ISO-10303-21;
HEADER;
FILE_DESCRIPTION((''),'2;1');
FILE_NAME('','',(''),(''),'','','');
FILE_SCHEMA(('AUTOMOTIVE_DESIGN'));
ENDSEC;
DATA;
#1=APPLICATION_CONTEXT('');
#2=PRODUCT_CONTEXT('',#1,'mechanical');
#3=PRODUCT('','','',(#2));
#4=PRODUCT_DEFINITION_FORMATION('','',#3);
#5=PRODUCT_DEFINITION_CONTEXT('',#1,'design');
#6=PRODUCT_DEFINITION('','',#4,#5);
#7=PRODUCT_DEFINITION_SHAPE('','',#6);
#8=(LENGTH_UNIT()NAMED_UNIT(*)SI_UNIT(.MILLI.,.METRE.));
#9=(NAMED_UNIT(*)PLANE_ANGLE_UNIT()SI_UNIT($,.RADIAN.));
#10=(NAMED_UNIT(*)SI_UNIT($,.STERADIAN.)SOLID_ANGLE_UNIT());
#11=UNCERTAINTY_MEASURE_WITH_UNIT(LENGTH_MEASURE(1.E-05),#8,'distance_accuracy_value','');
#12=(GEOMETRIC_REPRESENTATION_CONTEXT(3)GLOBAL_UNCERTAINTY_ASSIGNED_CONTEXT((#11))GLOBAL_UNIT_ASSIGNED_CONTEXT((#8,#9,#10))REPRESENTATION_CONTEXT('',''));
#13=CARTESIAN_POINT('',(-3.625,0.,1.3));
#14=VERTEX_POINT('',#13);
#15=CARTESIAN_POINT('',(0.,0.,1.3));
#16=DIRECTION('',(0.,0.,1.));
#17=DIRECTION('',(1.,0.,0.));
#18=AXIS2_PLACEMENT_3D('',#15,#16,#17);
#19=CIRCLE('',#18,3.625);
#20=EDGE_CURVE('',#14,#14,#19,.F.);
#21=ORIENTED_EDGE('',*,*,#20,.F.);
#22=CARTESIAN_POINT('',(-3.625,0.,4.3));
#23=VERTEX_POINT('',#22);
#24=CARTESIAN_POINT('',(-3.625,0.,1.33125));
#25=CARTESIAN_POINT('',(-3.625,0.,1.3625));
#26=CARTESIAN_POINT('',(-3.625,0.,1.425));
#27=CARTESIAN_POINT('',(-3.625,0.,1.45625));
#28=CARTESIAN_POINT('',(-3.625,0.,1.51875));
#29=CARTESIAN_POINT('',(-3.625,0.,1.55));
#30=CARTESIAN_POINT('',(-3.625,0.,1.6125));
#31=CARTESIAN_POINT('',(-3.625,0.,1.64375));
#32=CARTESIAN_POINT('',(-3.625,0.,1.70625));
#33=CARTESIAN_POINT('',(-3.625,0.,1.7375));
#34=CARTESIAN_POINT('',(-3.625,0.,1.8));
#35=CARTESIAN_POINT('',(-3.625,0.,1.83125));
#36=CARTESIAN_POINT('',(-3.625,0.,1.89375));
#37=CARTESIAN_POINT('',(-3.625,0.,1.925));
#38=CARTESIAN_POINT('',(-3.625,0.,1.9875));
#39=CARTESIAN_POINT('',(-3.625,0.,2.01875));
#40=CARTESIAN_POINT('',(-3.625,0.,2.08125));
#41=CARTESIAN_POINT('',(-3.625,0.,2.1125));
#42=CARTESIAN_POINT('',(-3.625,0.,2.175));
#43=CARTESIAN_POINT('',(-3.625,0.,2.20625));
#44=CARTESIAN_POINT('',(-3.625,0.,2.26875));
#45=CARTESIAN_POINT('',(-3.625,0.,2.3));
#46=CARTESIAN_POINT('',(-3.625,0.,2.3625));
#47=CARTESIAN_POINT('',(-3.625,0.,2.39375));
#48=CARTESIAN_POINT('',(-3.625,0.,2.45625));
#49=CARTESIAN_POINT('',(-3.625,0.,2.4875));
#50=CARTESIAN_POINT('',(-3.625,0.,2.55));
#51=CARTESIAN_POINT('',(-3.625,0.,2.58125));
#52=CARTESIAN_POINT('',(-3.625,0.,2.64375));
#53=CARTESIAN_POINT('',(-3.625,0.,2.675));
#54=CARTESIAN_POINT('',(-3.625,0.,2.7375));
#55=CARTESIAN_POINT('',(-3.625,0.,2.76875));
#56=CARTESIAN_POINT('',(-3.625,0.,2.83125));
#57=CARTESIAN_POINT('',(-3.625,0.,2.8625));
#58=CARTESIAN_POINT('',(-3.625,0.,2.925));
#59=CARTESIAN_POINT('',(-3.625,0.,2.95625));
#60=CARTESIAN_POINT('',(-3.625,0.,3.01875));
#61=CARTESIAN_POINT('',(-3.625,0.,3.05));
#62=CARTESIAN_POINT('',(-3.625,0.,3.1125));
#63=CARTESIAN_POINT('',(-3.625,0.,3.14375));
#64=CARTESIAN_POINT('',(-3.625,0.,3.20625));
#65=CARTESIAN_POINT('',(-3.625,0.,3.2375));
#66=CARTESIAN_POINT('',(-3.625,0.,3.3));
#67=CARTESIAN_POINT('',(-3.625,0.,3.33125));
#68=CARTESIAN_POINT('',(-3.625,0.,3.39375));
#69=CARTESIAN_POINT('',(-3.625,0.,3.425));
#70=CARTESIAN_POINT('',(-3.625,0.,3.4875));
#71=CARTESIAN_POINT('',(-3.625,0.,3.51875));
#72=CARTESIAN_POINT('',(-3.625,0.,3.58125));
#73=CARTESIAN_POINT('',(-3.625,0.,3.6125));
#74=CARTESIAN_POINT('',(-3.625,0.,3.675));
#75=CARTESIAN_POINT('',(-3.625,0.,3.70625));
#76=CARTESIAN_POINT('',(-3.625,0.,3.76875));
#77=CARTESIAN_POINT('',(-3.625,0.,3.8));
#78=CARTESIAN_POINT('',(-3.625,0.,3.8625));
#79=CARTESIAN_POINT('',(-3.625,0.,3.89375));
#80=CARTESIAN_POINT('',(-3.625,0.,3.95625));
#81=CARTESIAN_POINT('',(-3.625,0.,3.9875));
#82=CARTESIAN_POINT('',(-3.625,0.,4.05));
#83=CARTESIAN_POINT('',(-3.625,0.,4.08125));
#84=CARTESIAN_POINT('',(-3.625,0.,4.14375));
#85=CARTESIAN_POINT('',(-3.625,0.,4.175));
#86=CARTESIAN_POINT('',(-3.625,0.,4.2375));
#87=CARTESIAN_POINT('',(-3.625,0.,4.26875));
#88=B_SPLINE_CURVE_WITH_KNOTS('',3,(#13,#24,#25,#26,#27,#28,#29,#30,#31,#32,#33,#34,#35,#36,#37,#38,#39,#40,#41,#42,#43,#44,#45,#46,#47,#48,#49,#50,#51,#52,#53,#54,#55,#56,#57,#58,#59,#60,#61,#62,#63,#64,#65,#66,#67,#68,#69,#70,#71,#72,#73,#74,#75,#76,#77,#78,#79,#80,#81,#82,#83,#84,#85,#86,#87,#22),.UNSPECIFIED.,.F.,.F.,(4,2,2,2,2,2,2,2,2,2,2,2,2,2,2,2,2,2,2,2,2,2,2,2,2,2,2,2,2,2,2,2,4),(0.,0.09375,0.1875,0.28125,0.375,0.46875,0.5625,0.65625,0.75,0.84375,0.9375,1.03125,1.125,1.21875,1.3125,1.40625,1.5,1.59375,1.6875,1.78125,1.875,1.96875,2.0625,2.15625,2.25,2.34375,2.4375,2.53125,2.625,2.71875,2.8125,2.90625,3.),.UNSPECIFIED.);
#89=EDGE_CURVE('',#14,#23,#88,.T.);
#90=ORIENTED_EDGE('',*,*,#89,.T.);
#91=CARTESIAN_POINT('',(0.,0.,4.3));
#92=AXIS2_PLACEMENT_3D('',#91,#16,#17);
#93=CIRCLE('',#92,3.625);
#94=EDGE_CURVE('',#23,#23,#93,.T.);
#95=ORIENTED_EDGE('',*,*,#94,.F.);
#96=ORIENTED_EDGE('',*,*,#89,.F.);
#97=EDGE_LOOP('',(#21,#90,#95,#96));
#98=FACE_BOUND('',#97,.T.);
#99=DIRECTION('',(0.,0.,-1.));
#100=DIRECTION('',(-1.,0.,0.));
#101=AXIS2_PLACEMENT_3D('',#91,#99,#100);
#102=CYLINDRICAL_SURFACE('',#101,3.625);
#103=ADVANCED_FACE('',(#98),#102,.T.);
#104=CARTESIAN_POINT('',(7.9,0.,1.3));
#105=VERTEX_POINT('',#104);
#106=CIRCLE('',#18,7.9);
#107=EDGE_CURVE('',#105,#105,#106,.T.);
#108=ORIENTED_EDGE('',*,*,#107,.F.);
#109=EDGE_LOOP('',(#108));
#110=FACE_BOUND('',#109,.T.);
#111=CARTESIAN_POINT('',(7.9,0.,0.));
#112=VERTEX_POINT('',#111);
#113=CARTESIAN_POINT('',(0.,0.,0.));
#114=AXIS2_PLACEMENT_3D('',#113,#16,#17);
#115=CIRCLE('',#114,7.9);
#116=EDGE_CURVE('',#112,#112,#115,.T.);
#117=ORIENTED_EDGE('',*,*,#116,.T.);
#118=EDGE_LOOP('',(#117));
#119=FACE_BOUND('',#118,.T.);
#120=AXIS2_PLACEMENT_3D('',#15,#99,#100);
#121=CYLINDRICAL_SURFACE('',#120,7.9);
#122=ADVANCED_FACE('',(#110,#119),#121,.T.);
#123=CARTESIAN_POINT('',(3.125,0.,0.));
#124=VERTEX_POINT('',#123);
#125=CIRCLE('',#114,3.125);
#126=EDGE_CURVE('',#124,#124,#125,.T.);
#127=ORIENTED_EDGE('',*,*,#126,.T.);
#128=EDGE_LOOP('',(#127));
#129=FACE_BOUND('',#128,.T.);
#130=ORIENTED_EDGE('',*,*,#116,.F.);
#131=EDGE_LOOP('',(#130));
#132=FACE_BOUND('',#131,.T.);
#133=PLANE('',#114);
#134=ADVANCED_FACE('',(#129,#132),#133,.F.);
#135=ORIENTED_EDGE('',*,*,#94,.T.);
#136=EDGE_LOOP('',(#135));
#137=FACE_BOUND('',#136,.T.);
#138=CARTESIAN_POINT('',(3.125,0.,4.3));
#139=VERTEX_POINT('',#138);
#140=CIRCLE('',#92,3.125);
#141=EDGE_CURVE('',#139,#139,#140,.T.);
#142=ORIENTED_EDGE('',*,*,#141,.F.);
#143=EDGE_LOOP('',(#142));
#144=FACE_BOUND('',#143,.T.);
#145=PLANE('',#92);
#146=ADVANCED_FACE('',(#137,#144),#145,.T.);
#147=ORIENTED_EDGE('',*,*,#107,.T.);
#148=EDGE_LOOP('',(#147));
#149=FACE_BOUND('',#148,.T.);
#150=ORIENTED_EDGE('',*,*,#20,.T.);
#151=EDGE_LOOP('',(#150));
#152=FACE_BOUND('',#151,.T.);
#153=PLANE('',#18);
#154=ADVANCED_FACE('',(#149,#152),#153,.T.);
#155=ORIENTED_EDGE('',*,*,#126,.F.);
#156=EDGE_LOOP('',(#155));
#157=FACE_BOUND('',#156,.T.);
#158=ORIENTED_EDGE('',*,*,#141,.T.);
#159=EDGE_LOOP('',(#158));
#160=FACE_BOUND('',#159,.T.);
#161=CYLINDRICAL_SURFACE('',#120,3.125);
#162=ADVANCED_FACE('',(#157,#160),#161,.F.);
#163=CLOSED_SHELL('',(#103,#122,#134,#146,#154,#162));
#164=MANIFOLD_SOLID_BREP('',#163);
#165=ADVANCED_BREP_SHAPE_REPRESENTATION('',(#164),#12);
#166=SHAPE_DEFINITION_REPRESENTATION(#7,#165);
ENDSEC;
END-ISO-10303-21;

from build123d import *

# Parameters (mm, degrees)
SKETCH_1_R      = 7.9
SKETCH_1_R_2    = 3.125
EXTRUDE_1_DEPTH = 1.3
SKETCH_1_3_R    = 3.625
SKETCH_1_3_R_2  = 3.125
EXTRUDE_2_DEPTH = 4.3


with BuildPart() as part:
    # ｽｹｯﾁ1 → ﾎﾞｽ - 押し出し1 (new body)
    with BuildSketch(Plane.XY):
        Circle(SKETCH_1_R)
        Circle(SKETCH_1_R_2, mode=Mode.SUBTRACT)
    extrude(amount=EXTRUDE_1_DEPTH)

    # ｽｹｯﾁ1<3> → ﾎﾞｽ - 押し出し2 (add)
    with BuildSketch(Plane.XY):
        Circle(SKETCH_1_3_R)
        Circle(SKETCH_1_3_R_2, mode=Mode.SUBTRACT)
    extrude(amount=EXTRUDE_2_DEPTH)


solid = part.part
